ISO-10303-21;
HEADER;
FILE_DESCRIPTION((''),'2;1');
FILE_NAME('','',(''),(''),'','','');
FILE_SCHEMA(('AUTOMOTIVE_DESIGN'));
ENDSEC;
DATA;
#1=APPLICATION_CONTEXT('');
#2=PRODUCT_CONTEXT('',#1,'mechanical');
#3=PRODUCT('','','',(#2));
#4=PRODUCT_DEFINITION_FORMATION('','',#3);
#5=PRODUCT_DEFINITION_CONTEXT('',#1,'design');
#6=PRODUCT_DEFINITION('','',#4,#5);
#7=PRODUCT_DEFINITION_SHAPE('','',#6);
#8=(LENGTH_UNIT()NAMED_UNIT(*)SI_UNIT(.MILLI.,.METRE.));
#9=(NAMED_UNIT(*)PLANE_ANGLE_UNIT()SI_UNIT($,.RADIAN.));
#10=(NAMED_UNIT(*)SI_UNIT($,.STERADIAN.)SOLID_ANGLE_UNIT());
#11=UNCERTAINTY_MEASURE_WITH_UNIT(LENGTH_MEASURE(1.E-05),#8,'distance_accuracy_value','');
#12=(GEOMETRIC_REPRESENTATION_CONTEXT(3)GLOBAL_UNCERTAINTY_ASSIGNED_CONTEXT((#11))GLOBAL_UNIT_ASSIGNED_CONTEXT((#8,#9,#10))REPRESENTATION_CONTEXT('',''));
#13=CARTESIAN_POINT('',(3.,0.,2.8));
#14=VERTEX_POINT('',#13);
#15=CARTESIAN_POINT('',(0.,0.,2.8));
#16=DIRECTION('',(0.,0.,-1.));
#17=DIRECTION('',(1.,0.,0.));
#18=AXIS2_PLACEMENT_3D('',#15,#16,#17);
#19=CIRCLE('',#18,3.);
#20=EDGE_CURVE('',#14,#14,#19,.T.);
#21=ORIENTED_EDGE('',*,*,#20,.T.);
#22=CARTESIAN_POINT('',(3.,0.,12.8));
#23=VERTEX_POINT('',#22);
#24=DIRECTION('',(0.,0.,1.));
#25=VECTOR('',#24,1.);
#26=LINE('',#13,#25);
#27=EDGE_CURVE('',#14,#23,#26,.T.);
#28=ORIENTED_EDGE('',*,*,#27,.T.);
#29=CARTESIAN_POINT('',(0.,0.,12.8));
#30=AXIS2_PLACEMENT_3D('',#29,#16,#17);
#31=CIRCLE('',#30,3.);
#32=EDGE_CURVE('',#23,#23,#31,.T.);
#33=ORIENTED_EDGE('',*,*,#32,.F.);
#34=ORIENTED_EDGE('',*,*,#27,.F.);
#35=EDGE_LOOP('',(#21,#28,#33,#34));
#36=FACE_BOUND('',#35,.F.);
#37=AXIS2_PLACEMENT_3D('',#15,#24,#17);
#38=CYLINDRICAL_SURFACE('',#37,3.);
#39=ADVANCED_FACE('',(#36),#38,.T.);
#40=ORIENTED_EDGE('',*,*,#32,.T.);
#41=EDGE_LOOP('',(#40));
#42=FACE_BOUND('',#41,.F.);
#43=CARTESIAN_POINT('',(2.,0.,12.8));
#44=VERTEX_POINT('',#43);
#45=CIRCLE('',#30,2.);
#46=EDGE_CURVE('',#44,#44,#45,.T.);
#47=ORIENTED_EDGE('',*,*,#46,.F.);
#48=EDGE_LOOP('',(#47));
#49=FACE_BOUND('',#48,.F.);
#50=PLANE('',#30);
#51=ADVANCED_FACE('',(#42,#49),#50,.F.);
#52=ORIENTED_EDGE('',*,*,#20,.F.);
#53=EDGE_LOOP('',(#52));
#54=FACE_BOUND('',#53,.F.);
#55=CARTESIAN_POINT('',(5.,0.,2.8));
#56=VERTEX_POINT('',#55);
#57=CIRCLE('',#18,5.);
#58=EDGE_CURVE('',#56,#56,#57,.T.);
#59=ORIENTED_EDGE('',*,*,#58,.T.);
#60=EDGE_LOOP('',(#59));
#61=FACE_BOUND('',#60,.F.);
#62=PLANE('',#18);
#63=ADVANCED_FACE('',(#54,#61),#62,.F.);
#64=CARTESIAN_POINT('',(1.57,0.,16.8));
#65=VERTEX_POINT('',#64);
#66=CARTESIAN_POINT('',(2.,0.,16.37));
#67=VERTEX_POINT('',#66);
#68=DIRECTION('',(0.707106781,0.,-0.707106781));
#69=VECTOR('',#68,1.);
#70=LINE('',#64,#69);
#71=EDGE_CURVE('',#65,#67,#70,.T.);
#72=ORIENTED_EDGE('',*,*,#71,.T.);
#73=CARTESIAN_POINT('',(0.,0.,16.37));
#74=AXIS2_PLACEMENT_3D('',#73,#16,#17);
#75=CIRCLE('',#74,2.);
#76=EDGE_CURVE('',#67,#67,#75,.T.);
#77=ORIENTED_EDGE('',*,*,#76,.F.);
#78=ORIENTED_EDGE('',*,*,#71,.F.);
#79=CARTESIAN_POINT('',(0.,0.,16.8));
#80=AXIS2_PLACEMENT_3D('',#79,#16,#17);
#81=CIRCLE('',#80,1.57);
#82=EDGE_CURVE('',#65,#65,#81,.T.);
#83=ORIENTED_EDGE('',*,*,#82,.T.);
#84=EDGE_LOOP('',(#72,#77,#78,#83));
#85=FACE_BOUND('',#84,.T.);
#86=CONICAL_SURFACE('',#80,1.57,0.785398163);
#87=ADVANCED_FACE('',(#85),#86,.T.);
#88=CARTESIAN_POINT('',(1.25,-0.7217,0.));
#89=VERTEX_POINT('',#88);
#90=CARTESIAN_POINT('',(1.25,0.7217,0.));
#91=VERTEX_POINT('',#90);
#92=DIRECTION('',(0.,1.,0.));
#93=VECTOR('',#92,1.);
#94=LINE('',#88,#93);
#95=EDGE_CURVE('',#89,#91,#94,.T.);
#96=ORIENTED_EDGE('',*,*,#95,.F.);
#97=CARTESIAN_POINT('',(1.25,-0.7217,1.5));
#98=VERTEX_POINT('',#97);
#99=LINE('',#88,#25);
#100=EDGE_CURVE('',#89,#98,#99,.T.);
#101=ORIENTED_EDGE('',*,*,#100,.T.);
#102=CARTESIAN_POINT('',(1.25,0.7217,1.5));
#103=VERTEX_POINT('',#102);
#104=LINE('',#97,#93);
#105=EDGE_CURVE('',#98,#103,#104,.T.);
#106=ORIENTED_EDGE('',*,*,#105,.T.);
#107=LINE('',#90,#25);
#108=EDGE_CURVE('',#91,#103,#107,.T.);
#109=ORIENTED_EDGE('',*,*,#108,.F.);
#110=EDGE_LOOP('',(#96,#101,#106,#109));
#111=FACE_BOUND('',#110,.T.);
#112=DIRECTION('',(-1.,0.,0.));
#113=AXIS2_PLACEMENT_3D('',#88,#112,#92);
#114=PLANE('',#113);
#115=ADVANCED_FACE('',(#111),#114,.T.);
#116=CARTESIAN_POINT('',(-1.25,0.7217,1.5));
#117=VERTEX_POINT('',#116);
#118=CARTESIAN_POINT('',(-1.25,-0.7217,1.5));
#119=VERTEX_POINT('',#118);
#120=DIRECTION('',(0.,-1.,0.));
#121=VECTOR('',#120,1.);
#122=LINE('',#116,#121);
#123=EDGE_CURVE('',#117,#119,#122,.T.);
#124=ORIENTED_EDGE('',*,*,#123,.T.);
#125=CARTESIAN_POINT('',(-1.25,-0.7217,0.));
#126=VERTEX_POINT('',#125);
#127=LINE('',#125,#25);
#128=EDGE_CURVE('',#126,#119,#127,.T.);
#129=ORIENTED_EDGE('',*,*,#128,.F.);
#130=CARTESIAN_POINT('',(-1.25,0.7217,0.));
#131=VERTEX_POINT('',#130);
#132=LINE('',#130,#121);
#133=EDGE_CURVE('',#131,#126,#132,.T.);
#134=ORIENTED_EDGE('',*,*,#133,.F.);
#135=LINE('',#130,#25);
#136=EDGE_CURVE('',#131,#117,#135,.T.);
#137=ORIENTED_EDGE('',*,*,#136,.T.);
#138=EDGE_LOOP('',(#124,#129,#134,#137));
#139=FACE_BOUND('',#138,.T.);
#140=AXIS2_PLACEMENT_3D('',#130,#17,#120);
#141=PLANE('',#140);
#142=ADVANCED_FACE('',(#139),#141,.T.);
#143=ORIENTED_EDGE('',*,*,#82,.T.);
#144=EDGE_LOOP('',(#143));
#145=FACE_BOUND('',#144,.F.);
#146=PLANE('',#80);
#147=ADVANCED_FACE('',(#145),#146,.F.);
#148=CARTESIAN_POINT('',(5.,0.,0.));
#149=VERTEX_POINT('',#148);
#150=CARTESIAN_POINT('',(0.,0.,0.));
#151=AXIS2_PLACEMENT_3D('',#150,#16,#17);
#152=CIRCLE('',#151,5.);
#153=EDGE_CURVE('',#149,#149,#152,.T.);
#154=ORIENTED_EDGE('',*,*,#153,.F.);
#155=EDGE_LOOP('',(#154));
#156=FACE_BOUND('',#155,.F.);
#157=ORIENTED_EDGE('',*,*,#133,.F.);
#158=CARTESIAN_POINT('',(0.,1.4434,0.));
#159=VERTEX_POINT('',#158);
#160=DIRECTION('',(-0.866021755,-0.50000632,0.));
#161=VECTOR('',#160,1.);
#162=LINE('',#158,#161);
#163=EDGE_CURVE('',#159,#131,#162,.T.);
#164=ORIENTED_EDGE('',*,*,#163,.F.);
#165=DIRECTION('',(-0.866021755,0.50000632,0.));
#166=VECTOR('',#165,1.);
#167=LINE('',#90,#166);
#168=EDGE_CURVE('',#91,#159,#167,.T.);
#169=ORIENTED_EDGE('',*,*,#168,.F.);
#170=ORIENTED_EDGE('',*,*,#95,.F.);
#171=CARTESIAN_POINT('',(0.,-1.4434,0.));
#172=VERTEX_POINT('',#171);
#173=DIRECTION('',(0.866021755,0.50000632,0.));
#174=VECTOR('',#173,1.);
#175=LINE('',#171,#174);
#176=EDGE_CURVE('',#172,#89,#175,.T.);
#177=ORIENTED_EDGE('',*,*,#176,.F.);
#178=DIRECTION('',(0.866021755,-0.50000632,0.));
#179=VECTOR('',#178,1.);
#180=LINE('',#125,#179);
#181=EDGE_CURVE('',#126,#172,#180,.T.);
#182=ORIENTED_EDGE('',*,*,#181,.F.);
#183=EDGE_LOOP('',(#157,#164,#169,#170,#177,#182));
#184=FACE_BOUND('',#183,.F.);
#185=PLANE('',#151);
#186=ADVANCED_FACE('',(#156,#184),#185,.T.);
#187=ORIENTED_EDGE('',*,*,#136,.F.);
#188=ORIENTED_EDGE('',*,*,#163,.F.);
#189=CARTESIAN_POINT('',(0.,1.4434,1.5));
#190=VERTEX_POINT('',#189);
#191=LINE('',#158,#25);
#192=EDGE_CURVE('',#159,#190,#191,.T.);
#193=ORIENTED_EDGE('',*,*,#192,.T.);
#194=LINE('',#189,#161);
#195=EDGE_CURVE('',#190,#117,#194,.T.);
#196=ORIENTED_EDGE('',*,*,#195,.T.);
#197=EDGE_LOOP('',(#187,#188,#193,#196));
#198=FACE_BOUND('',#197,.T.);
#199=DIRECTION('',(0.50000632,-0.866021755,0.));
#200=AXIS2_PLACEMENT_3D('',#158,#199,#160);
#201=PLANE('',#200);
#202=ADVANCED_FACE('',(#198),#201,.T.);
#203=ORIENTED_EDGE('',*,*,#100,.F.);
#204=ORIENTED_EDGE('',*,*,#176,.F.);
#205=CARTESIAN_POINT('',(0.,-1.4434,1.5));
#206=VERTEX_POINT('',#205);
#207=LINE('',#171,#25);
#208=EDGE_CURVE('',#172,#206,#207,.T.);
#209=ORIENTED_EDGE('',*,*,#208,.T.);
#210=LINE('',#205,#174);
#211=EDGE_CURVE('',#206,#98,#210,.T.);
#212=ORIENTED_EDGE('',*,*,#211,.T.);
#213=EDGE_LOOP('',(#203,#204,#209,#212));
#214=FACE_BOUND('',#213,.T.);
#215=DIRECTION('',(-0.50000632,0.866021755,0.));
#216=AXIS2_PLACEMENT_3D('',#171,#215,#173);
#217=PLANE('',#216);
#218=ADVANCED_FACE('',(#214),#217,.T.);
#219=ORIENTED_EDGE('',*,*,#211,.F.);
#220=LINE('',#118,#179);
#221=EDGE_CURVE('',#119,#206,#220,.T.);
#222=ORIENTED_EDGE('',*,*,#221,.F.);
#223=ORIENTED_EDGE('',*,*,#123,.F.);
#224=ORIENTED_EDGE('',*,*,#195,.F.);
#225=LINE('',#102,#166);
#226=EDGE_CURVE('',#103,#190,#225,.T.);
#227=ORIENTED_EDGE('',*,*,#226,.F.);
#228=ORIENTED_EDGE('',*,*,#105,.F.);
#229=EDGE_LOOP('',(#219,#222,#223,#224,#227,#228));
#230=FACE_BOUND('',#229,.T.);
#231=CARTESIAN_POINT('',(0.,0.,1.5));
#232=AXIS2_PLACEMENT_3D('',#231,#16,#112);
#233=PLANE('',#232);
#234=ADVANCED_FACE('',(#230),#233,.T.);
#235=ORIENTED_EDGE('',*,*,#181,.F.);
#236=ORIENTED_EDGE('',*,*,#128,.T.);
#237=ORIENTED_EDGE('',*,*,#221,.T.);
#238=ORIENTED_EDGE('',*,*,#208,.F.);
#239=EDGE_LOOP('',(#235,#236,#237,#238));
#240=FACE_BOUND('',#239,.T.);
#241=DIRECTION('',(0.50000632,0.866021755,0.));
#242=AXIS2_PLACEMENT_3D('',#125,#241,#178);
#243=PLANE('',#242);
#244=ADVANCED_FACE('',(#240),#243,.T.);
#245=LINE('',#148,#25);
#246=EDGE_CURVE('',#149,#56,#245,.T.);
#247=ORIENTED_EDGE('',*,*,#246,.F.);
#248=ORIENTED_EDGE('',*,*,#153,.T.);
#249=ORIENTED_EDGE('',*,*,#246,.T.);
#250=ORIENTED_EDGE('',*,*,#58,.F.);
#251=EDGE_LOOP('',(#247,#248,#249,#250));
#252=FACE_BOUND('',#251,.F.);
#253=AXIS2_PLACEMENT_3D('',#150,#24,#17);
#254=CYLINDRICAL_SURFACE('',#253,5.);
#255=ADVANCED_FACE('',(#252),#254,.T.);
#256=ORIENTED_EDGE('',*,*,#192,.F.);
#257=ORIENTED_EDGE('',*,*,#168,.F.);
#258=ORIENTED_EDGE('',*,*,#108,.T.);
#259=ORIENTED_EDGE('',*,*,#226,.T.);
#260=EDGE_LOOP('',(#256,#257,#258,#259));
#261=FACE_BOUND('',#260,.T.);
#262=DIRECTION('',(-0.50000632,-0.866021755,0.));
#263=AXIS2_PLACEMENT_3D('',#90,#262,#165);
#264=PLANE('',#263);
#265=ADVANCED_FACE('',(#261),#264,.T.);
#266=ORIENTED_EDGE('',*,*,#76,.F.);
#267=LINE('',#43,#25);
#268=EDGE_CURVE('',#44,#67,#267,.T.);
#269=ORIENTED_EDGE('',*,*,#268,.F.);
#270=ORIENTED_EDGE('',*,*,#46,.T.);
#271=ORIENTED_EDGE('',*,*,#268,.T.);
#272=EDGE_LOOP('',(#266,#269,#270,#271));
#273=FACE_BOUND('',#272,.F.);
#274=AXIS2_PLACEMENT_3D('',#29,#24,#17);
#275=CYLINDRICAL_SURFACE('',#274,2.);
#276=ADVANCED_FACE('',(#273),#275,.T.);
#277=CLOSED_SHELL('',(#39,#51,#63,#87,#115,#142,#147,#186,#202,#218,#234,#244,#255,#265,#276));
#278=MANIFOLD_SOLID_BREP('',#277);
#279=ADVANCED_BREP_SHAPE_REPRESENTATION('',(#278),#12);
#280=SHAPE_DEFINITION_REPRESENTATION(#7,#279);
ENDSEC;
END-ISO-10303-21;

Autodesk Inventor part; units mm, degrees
ref_plane "YZ Plane" through (0, 0, 0) normal (1, 0, 0) x (0, 1, 0)
ref_plane "XZ Plane" through (0, 0, 0) normal (0, 1, 0) x (-1, 0, 0)
ref_plane "XY Plane" through (0, 0, 0) normal (0, 0, 1) x (1, 0, 0)
sketch "スケッチ1" plane through (0, 0, 0) normal (0, 1, 0) x (-1, 0, 0)
  line L0 (0, 0) -> (-5, 0)
  line L1 (-5, 0) -> (-5, 2.8)
  line L2 (-5, 2.8) -> (-3, 2.8)
  line L3 (-3, 2.8) -> (-3, 12.8)
  line L4 (-3, 12.8) -> (-2, 12.8)
  line L5 (-2, 12.8) -> (-2, 16.37)
  line L6 (-1.57, 16.8) -> (0, 16.8)
  line L7 (0, 16.8) -> (0, 0)
  line L8 (-1.57, 16.8) -> (-2, 16.37)
  point P0 (-2, 16.8)
  dimension "d0" = 4
  dimension "d1" = 10
  dimension "d2" = 2.8
  dimension "d3" = 0.43
  dimension "d4" = 0.43
  dimension "d5" = 4
  dimension "d6" = 10
  dimension "d7" = 6
revolve "回転1" add sketch "スケッチ1" angle 360 about axis through (0, 0, 16.8) along (0, 0, -1)
thread "ねじ1" size "M4x0.7" class "6g" standard "ANSI Metric M Profile" length 7.57 offset 1.2
sketch "スケッチ2" plane through (0, 0, 0) normal (0, 0, -1) x (-1, 0, 0)
  line L0 (0, -1.4434) -> (-1.25, -0.7217)
  line L1 (-1.25, -0.7217) -> (-1.25, 0.7217)
  line L2 (-1.25, 0.7217) -> (0, 1.4434)
  line L3 (0, 1.4434) -> (1.25, 0.7217)
  line L4 (1.25, 0.7217) -> (1.25, -0.7217)
  line L5 (1.25, -0.7217) -> (0, -1.4434)
  point P0 (0, 0)
  point P1 (0, 0)
  dimension "d11" = 2.5
extrude "押し出し1" cut sketch "スケッチ2" against normal blind 1.5
equation "\"d4\" = d3"
properties part number "DBTS4-10-4-DHC" material "ステンレス鋼 AISI 304"
